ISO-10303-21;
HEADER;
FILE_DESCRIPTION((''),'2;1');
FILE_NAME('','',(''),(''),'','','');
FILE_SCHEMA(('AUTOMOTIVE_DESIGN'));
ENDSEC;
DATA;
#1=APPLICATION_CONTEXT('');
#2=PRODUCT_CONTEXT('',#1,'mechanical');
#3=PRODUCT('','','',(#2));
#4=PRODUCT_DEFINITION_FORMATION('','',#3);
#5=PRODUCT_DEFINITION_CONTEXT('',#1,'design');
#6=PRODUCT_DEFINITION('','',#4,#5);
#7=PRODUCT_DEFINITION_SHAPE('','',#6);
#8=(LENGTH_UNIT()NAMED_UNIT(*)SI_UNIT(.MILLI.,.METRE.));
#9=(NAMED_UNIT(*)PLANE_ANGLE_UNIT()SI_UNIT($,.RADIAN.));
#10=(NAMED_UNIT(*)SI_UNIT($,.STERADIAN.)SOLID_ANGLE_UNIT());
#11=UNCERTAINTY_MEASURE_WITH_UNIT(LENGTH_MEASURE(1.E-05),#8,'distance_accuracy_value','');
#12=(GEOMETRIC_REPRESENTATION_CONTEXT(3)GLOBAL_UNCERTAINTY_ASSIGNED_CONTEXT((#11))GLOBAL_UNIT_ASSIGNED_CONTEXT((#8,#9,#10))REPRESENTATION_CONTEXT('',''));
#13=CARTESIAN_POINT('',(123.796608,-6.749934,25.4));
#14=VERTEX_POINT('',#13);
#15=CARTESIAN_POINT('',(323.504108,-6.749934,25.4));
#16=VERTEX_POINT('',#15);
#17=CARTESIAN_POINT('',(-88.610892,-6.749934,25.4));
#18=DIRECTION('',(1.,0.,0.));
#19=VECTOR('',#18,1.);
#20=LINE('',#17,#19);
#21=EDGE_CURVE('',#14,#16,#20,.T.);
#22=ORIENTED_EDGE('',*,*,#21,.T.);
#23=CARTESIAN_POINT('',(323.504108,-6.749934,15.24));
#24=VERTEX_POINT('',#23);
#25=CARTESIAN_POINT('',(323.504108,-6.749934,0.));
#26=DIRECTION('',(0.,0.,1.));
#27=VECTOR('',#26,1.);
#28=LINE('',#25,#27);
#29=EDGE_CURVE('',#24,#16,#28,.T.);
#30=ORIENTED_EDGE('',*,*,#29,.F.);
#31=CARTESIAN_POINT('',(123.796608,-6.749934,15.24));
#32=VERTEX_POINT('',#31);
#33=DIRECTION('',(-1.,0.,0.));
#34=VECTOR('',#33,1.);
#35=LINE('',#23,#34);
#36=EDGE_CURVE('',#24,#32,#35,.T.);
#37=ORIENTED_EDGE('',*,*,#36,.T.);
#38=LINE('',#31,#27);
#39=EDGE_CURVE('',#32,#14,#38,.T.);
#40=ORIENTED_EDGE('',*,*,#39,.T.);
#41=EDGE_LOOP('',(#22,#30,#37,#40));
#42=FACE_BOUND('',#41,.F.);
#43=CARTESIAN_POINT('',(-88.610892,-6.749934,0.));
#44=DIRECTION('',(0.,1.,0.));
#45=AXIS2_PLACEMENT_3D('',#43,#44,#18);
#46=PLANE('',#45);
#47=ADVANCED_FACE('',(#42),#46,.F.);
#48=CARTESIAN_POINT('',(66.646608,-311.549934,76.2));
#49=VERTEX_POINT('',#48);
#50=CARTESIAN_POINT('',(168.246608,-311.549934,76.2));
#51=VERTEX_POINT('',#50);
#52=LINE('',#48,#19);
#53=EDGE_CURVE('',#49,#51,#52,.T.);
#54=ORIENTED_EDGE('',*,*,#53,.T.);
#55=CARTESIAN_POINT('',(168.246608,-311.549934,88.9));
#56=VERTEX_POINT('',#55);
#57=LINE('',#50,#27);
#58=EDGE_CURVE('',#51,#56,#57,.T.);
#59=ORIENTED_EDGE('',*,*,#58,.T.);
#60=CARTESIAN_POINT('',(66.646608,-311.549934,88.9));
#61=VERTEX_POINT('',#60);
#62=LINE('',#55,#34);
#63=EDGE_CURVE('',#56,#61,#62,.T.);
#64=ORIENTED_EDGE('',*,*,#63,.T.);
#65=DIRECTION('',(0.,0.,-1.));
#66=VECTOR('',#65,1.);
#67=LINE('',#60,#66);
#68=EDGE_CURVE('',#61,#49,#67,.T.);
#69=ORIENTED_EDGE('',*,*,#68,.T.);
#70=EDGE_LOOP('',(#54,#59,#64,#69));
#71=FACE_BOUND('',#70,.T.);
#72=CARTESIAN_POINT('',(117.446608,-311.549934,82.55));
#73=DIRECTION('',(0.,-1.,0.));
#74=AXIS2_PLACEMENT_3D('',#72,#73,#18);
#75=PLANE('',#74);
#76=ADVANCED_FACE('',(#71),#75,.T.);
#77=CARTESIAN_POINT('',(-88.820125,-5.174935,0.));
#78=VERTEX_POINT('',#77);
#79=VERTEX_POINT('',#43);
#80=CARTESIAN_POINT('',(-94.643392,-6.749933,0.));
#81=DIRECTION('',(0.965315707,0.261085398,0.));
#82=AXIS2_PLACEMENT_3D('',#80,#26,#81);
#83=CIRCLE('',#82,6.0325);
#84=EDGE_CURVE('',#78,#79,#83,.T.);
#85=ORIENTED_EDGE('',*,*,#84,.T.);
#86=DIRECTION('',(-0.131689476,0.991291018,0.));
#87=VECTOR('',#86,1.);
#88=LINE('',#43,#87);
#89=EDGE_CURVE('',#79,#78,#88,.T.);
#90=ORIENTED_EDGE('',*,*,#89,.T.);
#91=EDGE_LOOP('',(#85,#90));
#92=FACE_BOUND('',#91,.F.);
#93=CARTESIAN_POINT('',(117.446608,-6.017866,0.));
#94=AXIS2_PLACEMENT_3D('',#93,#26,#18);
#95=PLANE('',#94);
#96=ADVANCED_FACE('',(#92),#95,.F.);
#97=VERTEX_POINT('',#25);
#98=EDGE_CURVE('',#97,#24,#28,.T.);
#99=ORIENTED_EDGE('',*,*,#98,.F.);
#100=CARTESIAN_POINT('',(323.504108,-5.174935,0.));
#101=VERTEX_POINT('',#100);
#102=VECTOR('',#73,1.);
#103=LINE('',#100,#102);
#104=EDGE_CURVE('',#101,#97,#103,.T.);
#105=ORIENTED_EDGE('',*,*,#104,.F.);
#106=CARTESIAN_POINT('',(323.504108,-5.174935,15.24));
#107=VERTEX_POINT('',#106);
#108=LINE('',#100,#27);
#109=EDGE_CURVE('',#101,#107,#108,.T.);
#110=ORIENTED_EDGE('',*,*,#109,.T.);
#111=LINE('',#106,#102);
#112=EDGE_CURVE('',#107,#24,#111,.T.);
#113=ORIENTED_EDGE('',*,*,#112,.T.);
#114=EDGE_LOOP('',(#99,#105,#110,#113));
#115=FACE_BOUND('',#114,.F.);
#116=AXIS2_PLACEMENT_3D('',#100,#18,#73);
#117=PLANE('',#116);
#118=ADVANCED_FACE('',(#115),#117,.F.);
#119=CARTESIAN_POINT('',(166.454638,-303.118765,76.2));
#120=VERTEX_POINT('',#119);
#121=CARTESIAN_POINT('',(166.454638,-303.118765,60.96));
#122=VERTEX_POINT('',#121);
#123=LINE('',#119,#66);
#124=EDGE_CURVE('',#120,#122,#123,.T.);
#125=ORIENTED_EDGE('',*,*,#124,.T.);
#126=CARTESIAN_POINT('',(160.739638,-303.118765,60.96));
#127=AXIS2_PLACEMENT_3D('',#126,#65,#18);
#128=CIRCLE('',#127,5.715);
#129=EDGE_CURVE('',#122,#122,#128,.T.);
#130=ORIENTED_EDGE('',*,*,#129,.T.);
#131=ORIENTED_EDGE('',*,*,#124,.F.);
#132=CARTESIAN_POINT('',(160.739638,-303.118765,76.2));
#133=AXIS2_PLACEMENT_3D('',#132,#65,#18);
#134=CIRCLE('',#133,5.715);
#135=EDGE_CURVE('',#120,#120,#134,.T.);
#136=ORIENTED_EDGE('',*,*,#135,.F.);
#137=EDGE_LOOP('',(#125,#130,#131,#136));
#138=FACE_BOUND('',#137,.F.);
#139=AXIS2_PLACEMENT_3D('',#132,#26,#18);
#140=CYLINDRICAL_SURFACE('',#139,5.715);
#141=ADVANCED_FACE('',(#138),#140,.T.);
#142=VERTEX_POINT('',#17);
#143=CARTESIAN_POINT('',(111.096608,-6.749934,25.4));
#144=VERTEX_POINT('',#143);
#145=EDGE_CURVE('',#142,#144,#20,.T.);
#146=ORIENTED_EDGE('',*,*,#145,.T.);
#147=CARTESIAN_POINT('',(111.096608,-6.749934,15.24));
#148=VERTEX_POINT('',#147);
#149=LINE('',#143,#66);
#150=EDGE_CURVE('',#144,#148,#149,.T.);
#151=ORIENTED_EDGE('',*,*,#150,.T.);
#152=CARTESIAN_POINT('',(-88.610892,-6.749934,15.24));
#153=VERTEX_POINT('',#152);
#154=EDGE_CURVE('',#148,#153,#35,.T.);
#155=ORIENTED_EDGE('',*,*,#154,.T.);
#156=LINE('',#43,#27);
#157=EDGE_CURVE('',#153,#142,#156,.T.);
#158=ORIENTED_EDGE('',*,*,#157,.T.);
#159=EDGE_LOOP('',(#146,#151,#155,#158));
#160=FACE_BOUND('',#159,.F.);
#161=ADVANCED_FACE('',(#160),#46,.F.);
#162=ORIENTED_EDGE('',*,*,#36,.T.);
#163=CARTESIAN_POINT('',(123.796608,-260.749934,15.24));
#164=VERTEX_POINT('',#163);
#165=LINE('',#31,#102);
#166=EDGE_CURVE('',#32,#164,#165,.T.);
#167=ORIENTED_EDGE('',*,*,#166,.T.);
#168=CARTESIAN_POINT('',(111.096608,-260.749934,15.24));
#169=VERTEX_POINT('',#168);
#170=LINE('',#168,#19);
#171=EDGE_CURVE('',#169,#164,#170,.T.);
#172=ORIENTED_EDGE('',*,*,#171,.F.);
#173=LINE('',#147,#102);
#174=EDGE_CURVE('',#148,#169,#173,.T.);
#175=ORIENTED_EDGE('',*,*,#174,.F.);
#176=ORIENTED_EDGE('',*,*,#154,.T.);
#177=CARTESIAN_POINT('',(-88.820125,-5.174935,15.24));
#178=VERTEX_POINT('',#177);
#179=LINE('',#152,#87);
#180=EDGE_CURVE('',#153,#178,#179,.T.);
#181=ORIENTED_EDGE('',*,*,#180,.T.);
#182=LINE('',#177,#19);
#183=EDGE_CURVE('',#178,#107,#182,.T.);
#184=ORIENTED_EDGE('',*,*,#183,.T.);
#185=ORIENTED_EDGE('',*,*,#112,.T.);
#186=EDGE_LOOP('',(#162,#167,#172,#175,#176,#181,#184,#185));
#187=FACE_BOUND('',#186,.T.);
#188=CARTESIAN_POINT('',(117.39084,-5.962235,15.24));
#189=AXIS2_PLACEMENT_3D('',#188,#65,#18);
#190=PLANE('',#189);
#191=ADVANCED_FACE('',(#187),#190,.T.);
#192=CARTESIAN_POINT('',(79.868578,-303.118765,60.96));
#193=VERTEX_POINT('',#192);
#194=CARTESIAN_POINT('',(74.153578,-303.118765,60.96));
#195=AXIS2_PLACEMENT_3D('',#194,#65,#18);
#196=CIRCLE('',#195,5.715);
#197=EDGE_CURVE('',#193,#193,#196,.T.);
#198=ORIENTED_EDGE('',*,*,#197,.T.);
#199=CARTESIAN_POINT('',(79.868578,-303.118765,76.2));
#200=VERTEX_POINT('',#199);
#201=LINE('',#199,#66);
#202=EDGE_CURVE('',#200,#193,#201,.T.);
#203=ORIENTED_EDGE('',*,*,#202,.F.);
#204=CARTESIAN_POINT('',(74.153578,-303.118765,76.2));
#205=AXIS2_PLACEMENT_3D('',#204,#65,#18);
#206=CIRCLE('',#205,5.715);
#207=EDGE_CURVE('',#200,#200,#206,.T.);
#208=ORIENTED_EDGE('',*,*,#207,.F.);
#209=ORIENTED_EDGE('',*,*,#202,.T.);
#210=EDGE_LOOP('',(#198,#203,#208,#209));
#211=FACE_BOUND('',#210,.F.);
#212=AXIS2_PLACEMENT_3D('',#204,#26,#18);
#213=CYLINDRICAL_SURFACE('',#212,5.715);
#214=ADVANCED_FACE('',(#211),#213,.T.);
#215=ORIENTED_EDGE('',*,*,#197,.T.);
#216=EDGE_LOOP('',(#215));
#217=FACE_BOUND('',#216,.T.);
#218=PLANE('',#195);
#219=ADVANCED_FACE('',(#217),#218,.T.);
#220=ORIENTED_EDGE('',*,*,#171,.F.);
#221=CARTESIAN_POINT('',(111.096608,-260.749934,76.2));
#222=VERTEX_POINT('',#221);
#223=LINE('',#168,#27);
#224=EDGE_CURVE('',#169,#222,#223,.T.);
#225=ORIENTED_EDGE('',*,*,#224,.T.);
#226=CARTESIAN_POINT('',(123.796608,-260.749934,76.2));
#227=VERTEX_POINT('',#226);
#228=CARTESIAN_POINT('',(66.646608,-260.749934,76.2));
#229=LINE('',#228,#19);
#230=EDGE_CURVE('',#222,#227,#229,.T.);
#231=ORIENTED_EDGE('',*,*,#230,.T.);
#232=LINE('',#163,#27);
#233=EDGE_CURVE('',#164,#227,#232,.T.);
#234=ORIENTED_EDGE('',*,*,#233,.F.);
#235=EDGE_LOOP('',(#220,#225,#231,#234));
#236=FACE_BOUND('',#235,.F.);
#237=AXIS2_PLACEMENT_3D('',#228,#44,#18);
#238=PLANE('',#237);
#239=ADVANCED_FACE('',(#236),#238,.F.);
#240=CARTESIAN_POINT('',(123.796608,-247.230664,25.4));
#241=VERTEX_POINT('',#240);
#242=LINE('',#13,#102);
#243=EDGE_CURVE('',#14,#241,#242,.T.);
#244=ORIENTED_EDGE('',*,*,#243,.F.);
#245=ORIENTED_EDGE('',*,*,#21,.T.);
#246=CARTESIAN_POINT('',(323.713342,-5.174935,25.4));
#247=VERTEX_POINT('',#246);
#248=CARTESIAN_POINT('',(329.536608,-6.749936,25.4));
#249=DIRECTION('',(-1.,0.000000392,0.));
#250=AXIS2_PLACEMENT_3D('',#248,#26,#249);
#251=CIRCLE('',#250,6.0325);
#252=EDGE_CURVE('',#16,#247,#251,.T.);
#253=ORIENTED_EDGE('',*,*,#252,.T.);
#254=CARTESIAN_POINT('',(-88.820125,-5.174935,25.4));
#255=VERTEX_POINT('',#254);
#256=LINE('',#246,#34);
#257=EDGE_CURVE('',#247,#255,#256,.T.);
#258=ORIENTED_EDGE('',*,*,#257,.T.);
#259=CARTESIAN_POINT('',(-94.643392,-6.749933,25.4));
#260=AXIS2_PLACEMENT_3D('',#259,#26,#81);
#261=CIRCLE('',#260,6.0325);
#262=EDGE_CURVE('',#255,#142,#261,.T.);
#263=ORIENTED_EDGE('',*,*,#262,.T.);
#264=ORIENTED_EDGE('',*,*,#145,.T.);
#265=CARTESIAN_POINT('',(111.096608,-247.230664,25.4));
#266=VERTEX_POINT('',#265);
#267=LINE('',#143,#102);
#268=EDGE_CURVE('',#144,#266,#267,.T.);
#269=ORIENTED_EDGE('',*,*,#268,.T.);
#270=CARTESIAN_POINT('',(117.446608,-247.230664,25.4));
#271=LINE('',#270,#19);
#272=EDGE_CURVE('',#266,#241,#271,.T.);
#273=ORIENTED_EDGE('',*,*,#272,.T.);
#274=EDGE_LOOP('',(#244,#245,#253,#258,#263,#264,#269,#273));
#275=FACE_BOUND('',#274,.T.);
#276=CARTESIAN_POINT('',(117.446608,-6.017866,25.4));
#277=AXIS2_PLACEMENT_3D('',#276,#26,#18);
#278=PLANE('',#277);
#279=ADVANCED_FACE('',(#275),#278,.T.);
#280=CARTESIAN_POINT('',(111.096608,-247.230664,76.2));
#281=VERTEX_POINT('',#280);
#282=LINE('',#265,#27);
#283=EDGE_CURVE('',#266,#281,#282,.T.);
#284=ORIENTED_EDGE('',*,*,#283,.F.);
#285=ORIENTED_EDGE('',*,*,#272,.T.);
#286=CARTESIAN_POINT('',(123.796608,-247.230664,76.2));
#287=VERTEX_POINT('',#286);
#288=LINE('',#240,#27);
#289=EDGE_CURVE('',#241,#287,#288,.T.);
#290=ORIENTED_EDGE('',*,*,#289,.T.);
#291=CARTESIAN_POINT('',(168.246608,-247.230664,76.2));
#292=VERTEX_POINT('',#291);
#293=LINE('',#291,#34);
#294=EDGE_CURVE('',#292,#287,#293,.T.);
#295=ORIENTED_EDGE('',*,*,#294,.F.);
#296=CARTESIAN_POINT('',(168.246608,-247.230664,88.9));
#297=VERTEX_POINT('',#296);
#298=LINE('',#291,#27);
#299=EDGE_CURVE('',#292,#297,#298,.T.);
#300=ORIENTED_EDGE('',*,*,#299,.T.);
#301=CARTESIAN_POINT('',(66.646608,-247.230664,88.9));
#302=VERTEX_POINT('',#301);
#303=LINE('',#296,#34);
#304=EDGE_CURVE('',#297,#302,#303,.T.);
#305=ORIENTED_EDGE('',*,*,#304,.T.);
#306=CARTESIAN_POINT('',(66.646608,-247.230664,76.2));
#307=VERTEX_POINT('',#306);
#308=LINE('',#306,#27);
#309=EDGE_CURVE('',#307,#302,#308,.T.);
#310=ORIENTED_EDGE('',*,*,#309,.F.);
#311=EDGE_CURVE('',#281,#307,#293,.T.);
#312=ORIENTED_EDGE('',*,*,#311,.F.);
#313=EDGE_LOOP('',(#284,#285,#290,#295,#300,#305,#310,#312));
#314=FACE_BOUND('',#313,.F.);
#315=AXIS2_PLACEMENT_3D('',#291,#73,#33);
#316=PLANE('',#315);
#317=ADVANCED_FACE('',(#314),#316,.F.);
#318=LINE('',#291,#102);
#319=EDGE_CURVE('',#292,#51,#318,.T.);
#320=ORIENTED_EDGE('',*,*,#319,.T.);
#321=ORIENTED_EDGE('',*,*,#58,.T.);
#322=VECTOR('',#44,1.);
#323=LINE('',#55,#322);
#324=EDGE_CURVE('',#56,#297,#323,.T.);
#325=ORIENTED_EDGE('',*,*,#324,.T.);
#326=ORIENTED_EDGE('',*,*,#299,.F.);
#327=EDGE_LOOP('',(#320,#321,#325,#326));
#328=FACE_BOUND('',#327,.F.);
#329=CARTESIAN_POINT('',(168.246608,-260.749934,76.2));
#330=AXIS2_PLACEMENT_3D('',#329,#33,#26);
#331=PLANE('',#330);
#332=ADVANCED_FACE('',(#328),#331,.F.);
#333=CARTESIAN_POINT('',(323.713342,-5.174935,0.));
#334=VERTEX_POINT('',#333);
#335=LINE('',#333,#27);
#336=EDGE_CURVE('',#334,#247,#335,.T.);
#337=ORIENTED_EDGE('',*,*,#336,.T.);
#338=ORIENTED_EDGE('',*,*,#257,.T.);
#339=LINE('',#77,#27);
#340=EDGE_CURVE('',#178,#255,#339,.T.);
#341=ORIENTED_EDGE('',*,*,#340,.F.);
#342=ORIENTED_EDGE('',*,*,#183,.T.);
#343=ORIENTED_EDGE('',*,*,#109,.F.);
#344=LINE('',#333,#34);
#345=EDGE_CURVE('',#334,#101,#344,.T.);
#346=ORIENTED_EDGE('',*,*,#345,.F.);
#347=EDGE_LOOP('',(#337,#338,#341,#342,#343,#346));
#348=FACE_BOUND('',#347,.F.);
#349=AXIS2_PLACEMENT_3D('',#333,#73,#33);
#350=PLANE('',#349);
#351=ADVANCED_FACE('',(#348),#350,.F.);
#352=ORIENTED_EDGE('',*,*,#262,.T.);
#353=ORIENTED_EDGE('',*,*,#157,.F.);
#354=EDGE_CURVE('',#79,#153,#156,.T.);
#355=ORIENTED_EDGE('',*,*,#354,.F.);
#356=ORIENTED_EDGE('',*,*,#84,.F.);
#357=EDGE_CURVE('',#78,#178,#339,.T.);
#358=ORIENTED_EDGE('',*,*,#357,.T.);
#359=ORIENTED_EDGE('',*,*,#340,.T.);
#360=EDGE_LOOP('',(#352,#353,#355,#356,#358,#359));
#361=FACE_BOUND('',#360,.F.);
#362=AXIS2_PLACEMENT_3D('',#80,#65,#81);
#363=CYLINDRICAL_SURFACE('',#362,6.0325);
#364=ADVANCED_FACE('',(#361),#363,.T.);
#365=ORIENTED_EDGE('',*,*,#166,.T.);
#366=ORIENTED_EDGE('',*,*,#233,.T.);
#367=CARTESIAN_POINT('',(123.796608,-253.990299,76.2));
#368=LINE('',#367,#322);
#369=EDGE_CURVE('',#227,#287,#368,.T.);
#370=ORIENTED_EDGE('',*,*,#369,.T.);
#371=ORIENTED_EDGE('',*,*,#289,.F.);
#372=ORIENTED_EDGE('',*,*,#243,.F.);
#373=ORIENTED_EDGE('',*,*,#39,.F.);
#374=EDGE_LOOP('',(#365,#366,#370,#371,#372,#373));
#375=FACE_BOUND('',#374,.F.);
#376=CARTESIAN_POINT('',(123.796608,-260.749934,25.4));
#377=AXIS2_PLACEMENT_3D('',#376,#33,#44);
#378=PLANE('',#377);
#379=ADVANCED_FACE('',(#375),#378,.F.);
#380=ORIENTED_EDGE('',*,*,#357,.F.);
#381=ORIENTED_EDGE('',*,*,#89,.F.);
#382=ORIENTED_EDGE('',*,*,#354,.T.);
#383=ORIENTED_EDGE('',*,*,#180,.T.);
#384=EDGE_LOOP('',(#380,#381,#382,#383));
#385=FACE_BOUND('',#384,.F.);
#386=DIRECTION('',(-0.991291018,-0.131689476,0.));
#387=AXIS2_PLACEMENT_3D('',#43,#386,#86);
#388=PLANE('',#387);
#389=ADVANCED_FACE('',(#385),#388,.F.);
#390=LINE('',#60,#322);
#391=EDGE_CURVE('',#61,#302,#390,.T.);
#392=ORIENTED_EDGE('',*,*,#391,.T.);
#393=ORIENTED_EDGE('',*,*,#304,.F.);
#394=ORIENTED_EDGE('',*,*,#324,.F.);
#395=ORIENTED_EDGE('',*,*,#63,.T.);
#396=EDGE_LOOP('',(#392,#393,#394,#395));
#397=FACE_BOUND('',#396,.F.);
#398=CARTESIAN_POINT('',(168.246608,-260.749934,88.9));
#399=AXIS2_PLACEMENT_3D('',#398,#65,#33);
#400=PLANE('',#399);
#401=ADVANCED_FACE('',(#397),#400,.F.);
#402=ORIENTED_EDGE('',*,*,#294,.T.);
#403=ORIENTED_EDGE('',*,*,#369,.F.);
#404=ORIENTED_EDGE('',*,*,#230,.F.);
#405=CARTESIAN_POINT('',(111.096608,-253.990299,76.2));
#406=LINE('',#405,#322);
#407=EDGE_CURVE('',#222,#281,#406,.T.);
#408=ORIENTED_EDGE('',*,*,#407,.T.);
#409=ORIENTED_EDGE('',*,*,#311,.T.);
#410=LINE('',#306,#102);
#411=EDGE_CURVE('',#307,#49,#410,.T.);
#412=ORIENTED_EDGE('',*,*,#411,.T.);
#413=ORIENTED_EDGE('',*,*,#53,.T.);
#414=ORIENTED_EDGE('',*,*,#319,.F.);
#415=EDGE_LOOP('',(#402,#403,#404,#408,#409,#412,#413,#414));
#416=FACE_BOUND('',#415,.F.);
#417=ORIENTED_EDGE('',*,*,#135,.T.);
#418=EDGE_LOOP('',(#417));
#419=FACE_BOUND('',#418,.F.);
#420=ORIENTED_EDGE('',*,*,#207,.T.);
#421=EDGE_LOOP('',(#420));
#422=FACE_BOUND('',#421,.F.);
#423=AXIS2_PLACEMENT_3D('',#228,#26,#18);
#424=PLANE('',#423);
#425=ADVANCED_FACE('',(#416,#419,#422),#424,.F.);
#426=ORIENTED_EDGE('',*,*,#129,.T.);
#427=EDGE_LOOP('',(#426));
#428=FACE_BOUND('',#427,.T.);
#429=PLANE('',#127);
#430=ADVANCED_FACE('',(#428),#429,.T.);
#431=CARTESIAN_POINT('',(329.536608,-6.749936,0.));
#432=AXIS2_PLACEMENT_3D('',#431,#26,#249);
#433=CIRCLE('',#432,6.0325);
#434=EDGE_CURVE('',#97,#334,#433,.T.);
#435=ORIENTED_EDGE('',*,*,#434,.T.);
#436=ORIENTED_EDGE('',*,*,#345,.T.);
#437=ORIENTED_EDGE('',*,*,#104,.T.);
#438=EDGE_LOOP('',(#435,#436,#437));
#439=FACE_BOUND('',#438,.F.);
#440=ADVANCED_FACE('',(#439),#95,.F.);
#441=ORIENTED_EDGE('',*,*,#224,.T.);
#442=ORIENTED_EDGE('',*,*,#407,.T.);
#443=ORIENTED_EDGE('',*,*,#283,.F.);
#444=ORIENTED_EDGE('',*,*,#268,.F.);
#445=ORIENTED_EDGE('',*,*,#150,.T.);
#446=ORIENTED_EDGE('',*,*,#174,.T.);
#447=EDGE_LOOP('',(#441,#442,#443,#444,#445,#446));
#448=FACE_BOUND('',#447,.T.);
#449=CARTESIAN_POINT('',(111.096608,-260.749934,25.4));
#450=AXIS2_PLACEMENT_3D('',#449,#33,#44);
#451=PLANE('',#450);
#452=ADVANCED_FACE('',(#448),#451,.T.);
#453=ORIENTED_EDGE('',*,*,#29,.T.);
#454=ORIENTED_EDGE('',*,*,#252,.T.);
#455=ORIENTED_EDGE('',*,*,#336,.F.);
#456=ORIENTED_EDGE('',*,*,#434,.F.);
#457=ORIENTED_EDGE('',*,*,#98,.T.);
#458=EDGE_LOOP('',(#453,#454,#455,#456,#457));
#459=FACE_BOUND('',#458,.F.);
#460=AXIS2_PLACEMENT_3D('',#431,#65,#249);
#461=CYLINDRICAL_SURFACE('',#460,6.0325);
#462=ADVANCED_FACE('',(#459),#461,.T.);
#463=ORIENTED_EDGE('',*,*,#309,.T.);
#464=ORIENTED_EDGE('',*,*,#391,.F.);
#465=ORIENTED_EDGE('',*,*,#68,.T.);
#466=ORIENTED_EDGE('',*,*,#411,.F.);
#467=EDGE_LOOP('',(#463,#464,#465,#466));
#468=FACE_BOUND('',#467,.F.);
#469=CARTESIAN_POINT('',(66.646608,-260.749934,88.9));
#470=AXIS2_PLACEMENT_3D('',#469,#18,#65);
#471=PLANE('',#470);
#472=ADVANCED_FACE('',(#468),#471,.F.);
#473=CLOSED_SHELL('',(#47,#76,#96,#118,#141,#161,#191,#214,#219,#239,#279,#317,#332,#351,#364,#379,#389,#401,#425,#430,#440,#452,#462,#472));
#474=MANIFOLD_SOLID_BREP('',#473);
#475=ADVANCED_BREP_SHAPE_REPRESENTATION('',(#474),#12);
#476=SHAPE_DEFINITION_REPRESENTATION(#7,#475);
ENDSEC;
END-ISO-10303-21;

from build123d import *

# Parameters (mm, degrees)
F1_DEPTH  = 25.4
F3_DEPTH  = 15.24
F5_DEPTH  = 254
F6_W      = 12.7
F6_H      = 13.51927
F7_DEPTH  = 50.8
F9_DEPTH  = 12.7
F11_DEPTH = 50.8
F12_R     = 5.715
F13_DEPTH = 15.24


with BuildPart() as f1:
    # F0 (on Top) → F1 (new body)
    with BuildSketch(Plane.XY):
        with BuildLine():
            Line((-86.490609, -5.174935), (-88.820125, -5.174935))
            ThreePointArc((-88.820125, -5.174935), (-100.623355, -7.544352), (-88.610892, -6.749934))
            Line((-88.610892, -6.749934), (323.504108, -6.749934))
            ThreePointArc((323.504108, -6.749934), (335.516571, -7.544352), (323.713342, -5.174935))
            Line((323.713342, -5.174935), (-86.490609, -5.174935))
        make_face()
    extrude(amount=F1_DEPTH)

    # F2 (on face) → F3 (cut)
    with BuildSketch(Plane(origin=(0, 0, 0), x_dir=(1, 0, 0), z_dir=(0, 0, -1))):
        Polygon((323.504108, 5.174935), (323.504108, 6.749934), (-88.610892, 6.749934), (-88.820125, 5.174935), align=None)
    extrude(amount=-F3_DEPTH, mode=Mode.SUBTRACT)

    # F4 (on face) → F5 (join)
    with BuildSketch(Plane.XZ.offset(6.749934)):
        Polygon((123.796608, 25.4), (117.446608, 25.4), (111.096608, 25.4), (111.096608, 15.24), (123.796608, 15.24), align=None)
    extrude(amount=F5_DEPTH)

    # F6 (on face) → F7 (join)
    with BuildSketch(Plane.XY.offset(25.4)):
        with Locations((117.446608, -253.990299)):
            Rectangle(F6_W, F6_H)
    extrude(amount=F7_DEPTH)

    # F8 (on face) → F9 (join)
    with BuildSketch(Plane.XY.offset(76.2)):
        Polygon((168.246608, -247.230664), (111.096608, -247.230664), (66.646608, -247.230664), (66.646608, -260.749934), (168.246608, -260.749934), align=None)
    extrude(amount=F9_DEPTH)

    # F10 (on face) → F11 (join)
    with BuildSketch(Plane.XZ.offset(260.749934)):
        Polygon((66.646608, 88.9), (66.646608, 76.2), (111.096608, 76.2), (123.796608, 76.2), (168.246608, 76.2), (168.246608, 88.9), align=None)
    extrude(amount=F11_DEPTH)

    # F12 (on face) → F13 (join)
    with BuildSketch(Plane(origin=(0, 0, 76.2), x_dir=(1, 0, 0), z_dir=(0, 0, -1))):
        with Locations((74.153578, 303.118765)):
            Circle(F12_R)
        with Locations((160.739638, 303.118765)):
            Circle(F12_R)
    extrude(amount=F13_DEPTH)


solid = f1.part
